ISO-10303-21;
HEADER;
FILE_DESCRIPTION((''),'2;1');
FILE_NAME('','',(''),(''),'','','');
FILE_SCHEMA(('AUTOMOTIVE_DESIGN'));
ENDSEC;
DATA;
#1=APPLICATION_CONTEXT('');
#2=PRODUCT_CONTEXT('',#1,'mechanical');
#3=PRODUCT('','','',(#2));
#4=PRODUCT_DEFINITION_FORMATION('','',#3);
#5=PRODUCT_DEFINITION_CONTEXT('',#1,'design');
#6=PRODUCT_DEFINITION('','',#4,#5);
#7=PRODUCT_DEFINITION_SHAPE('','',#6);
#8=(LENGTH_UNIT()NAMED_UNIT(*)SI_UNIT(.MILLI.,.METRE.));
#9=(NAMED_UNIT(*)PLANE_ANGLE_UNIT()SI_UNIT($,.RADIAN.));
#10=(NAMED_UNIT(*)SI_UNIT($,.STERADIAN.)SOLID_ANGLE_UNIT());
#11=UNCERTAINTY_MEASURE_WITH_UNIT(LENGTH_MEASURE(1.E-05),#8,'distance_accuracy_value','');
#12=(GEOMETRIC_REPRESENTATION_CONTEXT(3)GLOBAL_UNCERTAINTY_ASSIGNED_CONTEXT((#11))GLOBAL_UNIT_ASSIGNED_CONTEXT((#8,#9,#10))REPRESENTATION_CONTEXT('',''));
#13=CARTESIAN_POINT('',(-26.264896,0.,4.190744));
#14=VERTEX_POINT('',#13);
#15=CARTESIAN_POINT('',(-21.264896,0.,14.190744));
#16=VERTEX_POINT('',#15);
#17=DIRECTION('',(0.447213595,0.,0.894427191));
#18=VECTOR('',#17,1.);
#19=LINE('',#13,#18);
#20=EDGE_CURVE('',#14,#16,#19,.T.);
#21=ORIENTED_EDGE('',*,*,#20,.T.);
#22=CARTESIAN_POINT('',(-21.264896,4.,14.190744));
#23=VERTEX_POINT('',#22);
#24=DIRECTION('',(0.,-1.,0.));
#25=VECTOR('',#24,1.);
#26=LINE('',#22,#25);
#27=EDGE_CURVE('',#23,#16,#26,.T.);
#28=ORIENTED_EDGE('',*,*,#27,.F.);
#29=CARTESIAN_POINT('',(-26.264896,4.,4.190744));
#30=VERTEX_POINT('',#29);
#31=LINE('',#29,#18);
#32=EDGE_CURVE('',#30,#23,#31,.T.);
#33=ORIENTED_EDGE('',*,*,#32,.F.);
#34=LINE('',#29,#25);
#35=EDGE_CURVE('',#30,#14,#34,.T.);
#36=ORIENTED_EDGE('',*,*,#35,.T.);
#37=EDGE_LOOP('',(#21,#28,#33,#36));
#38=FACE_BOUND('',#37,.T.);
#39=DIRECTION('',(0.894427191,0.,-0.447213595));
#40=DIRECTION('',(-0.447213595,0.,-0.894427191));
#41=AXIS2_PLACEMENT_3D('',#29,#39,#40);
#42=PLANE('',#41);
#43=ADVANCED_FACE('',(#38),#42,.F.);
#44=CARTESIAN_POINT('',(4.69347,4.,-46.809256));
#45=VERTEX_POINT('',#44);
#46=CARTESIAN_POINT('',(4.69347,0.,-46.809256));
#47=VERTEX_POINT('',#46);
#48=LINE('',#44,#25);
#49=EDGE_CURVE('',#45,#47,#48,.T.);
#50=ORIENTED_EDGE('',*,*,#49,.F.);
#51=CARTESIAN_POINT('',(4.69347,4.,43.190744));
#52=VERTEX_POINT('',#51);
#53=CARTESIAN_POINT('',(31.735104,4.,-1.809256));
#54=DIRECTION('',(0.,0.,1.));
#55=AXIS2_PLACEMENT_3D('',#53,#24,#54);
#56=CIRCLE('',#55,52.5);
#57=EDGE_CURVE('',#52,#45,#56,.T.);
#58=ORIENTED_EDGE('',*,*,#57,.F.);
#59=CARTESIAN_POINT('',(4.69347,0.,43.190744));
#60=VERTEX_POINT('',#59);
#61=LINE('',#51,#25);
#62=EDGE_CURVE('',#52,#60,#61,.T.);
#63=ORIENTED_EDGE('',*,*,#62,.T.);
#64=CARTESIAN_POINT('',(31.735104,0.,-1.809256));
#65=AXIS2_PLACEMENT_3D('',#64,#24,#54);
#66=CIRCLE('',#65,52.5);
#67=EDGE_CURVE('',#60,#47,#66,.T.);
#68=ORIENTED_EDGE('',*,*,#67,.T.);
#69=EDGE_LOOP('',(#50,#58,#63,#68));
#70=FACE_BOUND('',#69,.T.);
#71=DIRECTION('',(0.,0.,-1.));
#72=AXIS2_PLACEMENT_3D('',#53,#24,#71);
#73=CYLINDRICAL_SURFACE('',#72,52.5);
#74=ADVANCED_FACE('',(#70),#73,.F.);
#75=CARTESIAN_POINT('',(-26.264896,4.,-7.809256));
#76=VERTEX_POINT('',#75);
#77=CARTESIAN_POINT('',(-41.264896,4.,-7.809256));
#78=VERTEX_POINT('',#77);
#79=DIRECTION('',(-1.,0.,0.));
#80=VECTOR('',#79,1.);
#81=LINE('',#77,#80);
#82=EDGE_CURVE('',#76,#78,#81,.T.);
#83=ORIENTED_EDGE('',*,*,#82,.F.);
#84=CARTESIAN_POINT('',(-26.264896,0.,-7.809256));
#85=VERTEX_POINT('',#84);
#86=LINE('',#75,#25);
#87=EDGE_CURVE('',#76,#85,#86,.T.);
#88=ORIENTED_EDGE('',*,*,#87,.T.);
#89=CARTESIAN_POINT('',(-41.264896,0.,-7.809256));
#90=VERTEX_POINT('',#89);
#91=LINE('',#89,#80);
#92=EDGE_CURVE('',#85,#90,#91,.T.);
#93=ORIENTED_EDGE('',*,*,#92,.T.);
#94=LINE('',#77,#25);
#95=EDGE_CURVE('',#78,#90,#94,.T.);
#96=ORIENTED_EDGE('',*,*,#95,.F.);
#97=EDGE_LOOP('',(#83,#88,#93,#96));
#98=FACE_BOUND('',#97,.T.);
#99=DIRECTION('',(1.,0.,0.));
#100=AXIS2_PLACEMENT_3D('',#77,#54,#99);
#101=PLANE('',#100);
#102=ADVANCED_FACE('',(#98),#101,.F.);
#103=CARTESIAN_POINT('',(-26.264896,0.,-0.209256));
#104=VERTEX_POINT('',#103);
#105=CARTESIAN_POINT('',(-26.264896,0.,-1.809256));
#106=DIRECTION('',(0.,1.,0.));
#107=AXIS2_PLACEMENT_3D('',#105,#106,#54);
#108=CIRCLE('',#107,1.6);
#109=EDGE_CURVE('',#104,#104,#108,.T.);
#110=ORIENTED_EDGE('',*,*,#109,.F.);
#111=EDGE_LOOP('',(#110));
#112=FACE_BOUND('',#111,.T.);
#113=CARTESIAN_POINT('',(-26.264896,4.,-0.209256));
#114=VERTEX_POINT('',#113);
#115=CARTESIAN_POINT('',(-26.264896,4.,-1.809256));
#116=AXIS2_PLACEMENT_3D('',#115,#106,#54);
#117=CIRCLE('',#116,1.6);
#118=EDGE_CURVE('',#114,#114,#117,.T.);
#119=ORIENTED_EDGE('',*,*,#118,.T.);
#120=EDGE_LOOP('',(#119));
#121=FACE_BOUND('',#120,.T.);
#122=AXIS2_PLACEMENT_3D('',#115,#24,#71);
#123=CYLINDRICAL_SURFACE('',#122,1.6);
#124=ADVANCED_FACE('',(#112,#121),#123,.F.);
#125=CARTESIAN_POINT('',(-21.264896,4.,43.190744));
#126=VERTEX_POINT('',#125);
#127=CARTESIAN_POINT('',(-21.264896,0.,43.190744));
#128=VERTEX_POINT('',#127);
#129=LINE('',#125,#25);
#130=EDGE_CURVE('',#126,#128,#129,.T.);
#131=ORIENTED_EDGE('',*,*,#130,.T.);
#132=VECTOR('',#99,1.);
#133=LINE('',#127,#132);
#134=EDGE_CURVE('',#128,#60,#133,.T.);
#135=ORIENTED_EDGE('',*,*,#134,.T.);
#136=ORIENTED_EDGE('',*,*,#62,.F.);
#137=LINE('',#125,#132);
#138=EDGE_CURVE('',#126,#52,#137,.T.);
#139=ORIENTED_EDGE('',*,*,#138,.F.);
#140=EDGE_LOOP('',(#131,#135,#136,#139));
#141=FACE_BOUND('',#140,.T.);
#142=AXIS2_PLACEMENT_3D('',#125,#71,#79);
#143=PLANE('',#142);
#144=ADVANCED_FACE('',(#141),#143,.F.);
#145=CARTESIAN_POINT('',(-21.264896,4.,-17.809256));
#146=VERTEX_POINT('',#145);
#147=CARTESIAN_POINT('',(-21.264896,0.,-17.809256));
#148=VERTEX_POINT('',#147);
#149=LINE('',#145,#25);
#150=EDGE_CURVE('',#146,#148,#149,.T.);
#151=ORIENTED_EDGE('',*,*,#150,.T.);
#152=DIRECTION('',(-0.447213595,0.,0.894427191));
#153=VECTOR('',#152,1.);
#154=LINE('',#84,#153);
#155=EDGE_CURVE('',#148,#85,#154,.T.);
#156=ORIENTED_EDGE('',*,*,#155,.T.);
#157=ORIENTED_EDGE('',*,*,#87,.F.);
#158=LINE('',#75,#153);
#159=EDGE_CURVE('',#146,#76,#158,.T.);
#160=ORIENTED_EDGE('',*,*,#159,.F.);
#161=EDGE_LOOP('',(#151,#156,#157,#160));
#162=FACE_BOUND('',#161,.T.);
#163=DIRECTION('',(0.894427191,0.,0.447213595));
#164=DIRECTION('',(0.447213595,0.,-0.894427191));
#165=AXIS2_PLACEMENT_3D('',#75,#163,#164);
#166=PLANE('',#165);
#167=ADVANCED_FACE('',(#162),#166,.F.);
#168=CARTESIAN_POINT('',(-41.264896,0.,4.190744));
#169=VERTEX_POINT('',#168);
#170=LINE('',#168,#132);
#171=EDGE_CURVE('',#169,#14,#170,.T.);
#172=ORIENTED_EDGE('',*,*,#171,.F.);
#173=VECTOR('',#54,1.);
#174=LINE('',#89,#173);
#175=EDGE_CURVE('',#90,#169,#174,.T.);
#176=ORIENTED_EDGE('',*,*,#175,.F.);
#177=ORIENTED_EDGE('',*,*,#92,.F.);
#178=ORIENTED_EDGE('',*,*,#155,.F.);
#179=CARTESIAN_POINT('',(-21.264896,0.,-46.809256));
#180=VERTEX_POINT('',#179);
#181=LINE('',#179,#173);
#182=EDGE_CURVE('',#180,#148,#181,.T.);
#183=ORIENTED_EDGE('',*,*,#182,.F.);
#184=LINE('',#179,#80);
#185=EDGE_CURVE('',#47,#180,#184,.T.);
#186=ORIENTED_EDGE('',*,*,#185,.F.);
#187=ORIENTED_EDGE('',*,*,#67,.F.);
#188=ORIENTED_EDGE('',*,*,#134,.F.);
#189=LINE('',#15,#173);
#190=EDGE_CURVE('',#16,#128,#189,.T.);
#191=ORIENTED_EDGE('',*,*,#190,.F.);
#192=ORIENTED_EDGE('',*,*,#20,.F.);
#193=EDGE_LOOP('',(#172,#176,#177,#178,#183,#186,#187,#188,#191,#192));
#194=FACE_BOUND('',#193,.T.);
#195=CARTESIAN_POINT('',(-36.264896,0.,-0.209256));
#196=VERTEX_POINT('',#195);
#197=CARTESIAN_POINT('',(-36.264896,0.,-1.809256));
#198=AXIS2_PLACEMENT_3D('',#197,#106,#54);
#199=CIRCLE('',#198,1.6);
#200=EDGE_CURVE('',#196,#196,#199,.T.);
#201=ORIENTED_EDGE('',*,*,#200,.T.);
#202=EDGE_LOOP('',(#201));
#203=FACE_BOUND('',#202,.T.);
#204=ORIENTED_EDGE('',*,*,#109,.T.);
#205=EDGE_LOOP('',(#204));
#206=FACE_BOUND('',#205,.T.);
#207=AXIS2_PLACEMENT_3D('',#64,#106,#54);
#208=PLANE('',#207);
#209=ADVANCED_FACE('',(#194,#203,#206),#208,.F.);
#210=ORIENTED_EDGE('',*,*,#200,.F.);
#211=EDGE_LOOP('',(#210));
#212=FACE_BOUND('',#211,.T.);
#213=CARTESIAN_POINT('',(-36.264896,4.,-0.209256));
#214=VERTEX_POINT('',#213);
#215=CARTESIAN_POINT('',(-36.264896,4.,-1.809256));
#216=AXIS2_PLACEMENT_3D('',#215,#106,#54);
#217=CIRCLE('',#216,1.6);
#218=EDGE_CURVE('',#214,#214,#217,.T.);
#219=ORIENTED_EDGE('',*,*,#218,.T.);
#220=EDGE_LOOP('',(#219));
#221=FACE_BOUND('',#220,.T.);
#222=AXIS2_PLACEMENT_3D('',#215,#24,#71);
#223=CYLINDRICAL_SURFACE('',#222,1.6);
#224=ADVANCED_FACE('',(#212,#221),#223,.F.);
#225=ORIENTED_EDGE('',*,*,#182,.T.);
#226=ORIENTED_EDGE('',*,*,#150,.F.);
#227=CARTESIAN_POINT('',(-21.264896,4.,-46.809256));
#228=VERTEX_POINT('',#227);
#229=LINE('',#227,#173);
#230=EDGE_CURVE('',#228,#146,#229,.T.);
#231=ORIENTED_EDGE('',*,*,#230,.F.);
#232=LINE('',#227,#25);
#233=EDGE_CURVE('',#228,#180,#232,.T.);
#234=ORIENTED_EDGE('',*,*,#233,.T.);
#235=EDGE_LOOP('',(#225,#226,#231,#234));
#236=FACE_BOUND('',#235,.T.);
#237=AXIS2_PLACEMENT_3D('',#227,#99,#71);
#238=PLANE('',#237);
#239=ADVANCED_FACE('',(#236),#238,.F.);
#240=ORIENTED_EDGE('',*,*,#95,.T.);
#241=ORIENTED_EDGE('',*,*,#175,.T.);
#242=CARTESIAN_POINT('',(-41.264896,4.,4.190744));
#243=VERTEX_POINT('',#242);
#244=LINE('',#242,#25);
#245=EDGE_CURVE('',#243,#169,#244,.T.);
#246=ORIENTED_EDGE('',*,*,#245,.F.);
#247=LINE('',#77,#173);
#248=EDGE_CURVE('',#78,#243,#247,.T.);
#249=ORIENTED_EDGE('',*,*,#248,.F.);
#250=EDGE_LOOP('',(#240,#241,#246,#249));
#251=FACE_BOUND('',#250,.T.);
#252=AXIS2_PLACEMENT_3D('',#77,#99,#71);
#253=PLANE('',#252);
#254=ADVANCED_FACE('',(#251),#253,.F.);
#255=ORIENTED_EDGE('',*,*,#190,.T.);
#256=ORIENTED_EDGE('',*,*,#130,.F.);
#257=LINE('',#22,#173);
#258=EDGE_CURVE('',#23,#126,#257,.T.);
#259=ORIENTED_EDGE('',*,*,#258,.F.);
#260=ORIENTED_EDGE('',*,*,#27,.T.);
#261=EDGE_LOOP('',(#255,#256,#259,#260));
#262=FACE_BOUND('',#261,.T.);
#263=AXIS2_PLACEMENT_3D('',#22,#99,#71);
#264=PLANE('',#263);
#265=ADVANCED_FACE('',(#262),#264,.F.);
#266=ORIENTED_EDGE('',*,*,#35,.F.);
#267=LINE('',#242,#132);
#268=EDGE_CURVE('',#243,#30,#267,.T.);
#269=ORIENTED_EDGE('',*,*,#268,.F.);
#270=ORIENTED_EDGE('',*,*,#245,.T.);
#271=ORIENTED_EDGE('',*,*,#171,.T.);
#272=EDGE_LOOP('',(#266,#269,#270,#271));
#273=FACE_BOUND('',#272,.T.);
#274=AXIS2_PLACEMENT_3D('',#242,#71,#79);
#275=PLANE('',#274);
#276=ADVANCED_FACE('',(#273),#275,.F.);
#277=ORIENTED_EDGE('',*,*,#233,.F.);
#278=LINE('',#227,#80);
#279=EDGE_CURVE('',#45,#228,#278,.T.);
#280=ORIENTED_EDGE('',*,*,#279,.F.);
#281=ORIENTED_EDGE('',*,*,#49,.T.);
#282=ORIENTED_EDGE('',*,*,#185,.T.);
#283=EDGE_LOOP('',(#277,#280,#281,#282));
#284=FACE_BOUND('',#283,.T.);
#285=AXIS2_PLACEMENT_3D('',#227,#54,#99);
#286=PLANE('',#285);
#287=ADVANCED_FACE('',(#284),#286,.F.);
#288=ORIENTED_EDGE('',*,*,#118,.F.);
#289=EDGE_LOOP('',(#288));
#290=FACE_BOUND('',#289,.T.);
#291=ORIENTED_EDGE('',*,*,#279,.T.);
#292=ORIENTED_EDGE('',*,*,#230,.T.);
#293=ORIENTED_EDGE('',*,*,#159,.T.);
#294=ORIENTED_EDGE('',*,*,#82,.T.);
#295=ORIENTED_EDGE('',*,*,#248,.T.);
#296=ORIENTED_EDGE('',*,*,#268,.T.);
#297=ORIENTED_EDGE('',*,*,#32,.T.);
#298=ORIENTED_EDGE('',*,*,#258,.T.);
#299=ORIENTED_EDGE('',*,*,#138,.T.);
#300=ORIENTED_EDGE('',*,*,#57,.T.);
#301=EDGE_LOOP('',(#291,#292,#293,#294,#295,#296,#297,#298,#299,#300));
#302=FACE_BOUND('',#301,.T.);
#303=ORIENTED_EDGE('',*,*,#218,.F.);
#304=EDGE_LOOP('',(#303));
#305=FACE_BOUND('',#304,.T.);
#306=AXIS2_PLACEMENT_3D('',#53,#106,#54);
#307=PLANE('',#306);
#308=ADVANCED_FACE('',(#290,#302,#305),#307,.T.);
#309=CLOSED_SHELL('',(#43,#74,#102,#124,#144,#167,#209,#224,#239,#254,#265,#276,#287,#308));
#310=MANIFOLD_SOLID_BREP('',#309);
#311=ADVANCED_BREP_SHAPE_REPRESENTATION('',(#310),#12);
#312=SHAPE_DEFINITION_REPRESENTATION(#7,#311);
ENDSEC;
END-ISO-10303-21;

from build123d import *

# Parameters (mm, degrees)
SKETCH_2_R      = 1.6
EXTRUDE_1_DEPTH = 4


with BuildPart() as part:
    # 草图2 → 凸台-拉伸1 (new body)
    with BuildSketch(Plane(origin=(0, 0, 0), x_dir=(1, 0, 0), z_dir=(0, 1, 0))):
        with BuildLine():
            Line((-21.264895519, 46.809256481), (4.693469915, 46.809256481))
            ThreePointArc((4.693469915, 46.809256481), (-20.764895519, 1.809256481), (4.693469915, -43.190743519))
            Line((4.693469915, -43.190743519), (-21.264895519, -43.190743519))
            Line((-21.264895519, -43.190743519), (-21.264895519, -14.190743519))
            Line((-21.264895519, -14.190743519), (-26.264895519, -4.190743519))
            Line((-26.264895519, -4.190743519), (-41.264895519, -4.190743519))
            Line((-41.264895519, -4.190743519), (-41.264895519, 7.809256481))
            Line((-41.264895519, 7.809256481), (-26.264895519, 7.809256481))
            Line((-26.264895519, 7.809256481), (-21.264895519, 17.809256481))
            Line((-21.264895519, 17.809256481), (-21.264895519, 46.809256481))
        make_face()
        with Locations((-36.264895519, 1.809256481)):
            Circle(SKETCH_2_R, mode=Mode.SUBTRACT)
        with Locations((-26.264895519, 1.809256481)):
            Circle(SKETCH_2_R, mode=Mode.SUBTRACT)
    extrude(amount=EXTRUDE_1_DEPTH)


solid = part.part
